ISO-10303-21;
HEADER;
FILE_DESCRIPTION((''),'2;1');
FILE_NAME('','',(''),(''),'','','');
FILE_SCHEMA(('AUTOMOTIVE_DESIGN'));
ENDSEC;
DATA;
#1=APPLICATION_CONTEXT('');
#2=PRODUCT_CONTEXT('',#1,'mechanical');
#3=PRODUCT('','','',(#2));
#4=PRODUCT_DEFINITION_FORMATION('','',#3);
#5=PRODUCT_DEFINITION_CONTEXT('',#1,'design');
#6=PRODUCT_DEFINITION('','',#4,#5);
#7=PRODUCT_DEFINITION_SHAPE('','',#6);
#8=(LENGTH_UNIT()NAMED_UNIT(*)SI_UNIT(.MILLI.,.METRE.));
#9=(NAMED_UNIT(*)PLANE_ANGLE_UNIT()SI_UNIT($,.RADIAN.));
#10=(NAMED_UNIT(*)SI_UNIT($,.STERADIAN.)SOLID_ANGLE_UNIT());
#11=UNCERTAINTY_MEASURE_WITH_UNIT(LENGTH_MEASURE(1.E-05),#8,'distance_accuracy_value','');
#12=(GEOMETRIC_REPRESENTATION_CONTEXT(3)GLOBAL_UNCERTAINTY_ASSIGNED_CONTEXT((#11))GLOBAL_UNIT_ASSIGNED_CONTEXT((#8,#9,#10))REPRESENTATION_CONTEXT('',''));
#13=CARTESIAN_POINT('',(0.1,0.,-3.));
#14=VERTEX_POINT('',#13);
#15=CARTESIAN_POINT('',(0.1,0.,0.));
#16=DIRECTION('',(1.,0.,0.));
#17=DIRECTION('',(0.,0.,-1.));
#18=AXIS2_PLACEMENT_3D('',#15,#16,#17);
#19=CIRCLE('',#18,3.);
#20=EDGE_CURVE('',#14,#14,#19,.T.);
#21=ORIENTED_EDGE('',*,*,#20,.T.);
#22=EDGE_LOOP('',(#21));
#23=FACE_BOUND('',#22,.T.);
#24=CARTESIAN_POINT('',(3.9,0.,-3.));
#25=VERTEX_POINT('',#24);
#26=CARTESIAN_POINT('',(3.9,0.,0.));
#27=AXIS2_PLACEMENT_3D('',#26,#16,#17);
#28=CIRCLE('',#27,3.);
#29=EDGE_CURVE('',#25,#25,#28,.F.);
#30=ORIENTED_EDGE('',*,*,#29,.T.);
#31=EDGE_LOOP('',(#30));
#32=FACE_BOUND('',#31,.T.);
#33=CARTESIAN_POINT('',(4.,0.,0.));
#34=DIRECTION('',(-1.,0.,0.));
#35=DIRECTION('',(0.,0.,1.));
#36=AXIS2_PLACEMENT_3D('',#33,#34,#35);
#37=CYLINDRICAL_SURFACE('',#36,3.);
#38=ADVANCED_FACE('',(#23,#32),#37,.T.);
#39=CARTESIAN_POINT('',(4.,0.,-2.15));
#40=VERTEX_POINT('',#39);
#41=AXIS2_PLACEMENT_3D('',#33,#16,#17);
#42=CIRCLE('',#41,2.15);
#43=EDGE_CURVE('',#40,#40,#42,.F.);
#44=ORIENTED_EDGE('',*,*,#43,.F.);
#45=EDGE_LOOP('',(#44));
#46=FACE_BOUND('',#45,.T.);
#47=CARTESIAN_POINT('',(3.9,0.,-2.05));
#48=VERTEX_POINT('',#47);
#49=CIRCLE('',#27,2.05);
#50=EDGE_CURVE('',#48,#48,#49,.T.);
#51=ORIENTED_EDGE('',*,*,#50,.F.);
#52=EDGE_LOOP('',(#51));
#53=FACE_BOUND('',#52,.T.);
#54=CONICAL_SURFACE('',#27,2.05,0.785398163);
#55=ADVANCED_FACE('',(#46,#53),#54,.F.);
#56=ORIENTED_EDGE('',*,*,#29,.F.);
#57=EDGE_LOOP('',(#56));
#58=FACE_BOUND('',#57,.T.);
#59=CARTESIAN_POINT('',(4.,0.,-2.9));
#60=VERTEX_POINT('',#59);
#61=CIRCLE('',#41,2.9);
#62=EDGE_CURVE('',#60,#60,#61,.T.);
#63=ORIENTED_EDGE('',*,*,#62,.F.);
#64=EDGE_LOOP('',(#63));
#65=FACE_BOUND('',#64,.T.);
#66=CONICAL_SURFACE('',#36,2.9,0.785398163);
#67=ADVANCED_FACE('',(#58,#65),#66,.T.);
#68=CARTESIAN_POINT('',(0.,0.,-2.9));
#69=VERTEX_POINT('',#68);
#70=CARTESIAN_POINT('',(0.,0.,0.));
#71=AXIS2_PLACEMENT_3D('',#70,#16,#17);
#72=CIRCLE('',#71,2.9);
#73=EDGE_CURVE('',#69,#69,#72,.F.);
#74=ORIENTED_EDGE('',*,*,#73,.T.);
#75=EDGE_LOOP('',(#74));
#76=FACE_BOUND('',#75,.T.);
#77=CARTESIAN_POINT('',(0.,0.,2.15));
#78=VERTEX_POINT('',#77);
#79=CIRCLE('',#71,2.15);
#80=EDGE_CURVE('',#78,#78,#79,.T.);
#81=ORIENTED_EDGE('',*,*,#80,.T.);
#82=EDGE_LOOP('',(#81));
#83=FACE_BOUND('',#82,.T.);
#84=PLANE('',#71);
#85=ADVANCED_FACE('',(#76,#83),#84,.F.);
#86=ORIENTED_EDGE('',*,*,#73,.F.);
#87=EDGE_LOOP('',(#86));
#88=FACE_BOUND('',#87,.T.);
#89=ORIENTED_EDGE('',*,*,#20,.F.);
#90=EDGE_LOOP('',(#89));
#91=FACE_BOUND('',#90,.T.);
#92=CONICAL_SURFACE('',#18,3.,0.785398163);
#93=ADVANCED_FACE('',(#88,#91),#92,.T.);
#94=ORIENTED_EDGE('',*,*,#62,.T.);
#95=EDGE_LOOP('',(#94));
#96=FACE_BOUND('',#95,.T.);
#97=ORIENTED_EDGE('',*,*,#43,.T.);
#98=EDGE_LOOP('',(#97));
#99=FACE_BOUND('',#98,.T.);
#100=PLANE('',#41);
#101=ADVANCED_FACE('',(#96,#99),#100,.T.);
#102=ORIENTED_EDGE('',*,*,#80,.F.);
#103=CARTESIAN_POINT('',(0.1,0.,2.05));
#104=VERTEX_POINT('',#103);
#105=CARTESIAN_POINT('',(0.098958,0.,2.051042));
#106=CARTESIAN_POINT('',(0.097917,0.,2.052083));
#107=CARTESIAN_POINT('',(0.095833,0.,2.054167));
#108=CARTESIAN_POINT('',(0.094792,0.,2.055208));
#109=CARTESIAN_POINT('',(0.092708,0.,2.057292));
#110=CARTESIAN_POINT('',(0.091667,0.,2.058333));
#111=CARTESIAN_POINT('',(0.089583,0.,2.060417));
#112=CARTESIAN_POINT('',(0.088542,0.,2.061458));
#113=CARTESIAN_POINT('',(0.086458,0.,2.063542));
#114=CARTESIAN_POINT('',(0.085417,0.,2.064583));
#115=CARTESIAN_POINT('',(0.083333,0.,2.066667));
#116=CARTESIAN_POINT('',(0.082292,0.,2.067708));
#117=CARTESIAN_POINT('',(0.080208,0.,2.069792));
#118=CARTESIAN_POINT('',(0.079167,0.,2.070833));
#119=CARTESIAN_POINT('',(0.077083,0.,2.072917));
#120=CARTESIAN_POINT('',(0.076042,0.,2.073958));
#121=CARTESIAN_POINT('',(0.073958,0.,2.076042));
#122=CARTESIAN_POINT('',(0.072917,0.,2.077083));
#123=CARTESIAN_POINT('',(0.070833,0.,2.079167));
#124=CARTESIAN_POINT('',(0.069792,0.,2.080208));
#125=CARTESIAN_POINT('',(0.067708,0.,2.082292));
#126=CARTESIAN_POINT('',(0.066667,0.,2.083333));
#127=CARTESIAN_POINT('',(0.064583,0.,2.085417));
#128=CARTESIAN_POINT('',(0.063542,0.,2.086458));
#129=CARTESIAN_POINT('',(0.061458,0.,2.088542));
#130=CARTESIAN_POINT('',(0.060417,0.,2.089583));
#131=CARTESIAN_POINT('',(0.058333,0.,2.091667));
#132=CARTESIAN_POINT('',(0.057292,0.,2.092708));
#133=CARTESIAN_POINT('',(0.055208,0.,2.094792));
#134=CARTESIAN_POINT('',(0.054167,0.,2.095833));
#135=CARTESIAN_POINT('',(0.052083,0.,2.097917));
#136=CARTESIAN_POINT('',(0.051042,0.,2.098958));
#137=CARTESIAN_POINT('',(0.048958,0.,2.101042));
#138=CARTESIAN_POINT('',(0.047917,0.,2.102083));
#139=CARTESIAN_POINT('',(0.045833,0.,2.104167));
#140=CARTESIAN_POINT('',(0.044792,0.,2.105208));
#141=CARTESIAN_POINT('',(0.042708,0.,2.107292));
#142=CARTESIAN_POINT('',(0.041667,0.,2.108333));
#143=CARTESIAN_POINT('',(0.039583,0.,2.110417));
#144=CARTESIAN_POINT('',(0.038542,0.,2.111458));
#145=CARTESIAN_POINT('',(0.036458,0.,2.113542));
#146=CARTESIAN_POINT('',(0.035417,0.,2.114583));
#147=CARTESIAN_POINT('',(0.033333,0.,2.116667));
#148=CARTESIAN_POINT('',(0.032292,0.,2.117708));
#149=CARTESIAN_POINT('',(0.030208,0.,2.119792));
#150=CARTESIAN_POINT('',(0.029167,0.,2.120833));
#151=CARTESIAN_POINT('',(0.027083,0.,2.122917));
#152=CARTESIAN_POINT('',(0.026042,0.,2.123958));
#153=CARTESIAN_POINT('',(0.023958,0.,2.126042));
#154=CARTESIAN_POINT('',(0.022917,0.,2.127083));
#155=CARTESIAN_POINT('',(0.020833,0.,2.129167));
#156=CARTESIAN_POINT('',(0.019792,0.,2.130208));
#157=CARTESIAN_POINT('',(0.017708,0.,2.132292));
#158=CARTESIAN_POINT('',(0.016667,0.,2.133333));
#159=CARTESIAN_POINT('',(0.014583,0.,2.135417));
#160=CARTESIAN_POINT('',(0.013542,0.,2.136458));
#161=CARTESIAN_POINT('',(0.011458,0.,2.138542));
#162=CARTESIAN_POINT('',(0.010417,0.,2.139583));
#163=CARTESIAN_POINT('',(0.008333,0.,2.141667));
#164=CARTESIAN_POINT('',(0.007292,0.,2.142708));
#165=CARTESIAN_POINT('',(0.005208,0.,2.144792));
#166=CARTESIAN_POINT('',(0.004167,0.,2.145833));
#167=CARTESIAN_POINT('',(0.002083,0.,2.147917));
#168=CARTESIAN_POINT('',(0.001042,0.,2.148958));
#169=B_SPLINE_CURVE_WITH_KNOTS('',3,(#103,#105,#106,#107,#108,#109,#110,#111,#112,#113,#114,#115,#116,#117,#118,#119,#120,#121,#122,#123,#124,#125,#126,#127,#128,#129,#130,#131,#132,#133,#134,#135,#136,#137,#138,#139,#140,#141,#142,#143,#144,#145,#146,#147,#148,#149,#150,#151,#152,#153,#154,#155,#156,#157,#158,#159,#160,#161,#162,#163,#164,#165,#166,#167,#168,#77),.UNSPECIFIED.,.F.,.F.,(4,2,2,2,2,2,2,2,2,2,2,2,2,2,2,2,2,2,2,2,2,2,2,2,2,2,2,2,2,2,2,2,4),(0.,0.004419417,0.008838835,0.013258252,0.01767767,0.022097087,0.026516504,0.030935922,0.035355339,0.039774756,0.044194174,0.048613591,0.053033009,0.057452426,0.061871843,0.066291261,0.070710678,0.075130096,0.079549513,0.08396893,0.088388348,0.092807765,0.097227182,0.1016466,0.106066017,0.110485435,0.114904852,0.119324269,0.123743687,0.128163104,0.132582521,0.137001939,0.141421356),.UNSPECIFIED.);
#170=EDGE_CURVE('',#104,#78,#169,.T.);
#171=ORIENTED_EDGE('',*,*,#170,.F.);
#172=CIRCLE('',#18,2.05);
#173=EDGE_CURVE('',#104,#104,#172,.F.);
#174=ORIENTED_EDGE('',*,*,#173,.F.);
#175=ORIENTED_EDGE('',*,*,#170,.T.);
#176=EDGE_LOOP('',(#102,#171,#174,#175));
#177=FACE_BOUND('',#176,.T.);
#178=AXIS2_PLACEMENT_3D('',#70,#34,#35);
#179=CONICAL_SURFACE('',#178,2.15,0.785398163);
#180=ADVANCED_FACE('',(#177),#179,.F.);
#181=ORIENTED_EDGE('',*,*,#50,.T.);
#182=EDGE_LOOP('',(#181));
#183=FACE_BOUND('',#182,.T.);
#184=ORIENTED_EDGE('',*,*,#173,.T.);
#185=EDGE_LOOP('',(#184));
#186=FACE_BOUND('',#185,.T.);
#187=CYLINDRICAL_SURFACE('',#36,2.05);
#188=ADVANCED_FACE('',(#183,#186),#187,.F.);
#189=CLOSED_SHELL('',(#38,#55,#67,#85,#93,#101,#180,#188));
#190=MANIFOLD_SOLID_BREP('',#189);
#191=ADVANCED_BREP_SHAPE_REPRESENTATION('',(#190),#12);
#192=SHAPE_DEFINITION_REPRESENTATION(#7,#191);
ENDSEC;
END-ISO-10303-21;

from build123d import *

# Parameters (mm, degrees)
SKETCH_1_R      = 3
SKETCH_1_R_2    = 2.05
EXTRUDE_1_DEPTH = 4
CHAMFER_1_SIZE  = 0.1


with BuildPart() as part:
    # 草图1 → 凸台-拉伸1 (new body)
    with BuildSketch(Plane.YZ):
        with Locations(Location((0, 0, 0), (0, 0, 270))):
            Circle(SKETCH_1_R)
        with Locations(Location((0, 0, 0), (0, 0, 270))):
            Circle(SKETCH_1_R_2, mode=Mode.SUBTRACT)
    extrude(amount=EXTRUDE_1_DEPTH)

    # 倒角1
    chamfer_1_edges = [part.edges().sort_by_distance(p)[0] for p in [
        (0, 0, 3),
        (4, 0, 3),
        (0, 0, 2.05),
        (4, 0, 2.05),
    ]]
    chamfer(chamfer_1_edges, length=CHAMFER_1_SIZE)


solid = part.part
